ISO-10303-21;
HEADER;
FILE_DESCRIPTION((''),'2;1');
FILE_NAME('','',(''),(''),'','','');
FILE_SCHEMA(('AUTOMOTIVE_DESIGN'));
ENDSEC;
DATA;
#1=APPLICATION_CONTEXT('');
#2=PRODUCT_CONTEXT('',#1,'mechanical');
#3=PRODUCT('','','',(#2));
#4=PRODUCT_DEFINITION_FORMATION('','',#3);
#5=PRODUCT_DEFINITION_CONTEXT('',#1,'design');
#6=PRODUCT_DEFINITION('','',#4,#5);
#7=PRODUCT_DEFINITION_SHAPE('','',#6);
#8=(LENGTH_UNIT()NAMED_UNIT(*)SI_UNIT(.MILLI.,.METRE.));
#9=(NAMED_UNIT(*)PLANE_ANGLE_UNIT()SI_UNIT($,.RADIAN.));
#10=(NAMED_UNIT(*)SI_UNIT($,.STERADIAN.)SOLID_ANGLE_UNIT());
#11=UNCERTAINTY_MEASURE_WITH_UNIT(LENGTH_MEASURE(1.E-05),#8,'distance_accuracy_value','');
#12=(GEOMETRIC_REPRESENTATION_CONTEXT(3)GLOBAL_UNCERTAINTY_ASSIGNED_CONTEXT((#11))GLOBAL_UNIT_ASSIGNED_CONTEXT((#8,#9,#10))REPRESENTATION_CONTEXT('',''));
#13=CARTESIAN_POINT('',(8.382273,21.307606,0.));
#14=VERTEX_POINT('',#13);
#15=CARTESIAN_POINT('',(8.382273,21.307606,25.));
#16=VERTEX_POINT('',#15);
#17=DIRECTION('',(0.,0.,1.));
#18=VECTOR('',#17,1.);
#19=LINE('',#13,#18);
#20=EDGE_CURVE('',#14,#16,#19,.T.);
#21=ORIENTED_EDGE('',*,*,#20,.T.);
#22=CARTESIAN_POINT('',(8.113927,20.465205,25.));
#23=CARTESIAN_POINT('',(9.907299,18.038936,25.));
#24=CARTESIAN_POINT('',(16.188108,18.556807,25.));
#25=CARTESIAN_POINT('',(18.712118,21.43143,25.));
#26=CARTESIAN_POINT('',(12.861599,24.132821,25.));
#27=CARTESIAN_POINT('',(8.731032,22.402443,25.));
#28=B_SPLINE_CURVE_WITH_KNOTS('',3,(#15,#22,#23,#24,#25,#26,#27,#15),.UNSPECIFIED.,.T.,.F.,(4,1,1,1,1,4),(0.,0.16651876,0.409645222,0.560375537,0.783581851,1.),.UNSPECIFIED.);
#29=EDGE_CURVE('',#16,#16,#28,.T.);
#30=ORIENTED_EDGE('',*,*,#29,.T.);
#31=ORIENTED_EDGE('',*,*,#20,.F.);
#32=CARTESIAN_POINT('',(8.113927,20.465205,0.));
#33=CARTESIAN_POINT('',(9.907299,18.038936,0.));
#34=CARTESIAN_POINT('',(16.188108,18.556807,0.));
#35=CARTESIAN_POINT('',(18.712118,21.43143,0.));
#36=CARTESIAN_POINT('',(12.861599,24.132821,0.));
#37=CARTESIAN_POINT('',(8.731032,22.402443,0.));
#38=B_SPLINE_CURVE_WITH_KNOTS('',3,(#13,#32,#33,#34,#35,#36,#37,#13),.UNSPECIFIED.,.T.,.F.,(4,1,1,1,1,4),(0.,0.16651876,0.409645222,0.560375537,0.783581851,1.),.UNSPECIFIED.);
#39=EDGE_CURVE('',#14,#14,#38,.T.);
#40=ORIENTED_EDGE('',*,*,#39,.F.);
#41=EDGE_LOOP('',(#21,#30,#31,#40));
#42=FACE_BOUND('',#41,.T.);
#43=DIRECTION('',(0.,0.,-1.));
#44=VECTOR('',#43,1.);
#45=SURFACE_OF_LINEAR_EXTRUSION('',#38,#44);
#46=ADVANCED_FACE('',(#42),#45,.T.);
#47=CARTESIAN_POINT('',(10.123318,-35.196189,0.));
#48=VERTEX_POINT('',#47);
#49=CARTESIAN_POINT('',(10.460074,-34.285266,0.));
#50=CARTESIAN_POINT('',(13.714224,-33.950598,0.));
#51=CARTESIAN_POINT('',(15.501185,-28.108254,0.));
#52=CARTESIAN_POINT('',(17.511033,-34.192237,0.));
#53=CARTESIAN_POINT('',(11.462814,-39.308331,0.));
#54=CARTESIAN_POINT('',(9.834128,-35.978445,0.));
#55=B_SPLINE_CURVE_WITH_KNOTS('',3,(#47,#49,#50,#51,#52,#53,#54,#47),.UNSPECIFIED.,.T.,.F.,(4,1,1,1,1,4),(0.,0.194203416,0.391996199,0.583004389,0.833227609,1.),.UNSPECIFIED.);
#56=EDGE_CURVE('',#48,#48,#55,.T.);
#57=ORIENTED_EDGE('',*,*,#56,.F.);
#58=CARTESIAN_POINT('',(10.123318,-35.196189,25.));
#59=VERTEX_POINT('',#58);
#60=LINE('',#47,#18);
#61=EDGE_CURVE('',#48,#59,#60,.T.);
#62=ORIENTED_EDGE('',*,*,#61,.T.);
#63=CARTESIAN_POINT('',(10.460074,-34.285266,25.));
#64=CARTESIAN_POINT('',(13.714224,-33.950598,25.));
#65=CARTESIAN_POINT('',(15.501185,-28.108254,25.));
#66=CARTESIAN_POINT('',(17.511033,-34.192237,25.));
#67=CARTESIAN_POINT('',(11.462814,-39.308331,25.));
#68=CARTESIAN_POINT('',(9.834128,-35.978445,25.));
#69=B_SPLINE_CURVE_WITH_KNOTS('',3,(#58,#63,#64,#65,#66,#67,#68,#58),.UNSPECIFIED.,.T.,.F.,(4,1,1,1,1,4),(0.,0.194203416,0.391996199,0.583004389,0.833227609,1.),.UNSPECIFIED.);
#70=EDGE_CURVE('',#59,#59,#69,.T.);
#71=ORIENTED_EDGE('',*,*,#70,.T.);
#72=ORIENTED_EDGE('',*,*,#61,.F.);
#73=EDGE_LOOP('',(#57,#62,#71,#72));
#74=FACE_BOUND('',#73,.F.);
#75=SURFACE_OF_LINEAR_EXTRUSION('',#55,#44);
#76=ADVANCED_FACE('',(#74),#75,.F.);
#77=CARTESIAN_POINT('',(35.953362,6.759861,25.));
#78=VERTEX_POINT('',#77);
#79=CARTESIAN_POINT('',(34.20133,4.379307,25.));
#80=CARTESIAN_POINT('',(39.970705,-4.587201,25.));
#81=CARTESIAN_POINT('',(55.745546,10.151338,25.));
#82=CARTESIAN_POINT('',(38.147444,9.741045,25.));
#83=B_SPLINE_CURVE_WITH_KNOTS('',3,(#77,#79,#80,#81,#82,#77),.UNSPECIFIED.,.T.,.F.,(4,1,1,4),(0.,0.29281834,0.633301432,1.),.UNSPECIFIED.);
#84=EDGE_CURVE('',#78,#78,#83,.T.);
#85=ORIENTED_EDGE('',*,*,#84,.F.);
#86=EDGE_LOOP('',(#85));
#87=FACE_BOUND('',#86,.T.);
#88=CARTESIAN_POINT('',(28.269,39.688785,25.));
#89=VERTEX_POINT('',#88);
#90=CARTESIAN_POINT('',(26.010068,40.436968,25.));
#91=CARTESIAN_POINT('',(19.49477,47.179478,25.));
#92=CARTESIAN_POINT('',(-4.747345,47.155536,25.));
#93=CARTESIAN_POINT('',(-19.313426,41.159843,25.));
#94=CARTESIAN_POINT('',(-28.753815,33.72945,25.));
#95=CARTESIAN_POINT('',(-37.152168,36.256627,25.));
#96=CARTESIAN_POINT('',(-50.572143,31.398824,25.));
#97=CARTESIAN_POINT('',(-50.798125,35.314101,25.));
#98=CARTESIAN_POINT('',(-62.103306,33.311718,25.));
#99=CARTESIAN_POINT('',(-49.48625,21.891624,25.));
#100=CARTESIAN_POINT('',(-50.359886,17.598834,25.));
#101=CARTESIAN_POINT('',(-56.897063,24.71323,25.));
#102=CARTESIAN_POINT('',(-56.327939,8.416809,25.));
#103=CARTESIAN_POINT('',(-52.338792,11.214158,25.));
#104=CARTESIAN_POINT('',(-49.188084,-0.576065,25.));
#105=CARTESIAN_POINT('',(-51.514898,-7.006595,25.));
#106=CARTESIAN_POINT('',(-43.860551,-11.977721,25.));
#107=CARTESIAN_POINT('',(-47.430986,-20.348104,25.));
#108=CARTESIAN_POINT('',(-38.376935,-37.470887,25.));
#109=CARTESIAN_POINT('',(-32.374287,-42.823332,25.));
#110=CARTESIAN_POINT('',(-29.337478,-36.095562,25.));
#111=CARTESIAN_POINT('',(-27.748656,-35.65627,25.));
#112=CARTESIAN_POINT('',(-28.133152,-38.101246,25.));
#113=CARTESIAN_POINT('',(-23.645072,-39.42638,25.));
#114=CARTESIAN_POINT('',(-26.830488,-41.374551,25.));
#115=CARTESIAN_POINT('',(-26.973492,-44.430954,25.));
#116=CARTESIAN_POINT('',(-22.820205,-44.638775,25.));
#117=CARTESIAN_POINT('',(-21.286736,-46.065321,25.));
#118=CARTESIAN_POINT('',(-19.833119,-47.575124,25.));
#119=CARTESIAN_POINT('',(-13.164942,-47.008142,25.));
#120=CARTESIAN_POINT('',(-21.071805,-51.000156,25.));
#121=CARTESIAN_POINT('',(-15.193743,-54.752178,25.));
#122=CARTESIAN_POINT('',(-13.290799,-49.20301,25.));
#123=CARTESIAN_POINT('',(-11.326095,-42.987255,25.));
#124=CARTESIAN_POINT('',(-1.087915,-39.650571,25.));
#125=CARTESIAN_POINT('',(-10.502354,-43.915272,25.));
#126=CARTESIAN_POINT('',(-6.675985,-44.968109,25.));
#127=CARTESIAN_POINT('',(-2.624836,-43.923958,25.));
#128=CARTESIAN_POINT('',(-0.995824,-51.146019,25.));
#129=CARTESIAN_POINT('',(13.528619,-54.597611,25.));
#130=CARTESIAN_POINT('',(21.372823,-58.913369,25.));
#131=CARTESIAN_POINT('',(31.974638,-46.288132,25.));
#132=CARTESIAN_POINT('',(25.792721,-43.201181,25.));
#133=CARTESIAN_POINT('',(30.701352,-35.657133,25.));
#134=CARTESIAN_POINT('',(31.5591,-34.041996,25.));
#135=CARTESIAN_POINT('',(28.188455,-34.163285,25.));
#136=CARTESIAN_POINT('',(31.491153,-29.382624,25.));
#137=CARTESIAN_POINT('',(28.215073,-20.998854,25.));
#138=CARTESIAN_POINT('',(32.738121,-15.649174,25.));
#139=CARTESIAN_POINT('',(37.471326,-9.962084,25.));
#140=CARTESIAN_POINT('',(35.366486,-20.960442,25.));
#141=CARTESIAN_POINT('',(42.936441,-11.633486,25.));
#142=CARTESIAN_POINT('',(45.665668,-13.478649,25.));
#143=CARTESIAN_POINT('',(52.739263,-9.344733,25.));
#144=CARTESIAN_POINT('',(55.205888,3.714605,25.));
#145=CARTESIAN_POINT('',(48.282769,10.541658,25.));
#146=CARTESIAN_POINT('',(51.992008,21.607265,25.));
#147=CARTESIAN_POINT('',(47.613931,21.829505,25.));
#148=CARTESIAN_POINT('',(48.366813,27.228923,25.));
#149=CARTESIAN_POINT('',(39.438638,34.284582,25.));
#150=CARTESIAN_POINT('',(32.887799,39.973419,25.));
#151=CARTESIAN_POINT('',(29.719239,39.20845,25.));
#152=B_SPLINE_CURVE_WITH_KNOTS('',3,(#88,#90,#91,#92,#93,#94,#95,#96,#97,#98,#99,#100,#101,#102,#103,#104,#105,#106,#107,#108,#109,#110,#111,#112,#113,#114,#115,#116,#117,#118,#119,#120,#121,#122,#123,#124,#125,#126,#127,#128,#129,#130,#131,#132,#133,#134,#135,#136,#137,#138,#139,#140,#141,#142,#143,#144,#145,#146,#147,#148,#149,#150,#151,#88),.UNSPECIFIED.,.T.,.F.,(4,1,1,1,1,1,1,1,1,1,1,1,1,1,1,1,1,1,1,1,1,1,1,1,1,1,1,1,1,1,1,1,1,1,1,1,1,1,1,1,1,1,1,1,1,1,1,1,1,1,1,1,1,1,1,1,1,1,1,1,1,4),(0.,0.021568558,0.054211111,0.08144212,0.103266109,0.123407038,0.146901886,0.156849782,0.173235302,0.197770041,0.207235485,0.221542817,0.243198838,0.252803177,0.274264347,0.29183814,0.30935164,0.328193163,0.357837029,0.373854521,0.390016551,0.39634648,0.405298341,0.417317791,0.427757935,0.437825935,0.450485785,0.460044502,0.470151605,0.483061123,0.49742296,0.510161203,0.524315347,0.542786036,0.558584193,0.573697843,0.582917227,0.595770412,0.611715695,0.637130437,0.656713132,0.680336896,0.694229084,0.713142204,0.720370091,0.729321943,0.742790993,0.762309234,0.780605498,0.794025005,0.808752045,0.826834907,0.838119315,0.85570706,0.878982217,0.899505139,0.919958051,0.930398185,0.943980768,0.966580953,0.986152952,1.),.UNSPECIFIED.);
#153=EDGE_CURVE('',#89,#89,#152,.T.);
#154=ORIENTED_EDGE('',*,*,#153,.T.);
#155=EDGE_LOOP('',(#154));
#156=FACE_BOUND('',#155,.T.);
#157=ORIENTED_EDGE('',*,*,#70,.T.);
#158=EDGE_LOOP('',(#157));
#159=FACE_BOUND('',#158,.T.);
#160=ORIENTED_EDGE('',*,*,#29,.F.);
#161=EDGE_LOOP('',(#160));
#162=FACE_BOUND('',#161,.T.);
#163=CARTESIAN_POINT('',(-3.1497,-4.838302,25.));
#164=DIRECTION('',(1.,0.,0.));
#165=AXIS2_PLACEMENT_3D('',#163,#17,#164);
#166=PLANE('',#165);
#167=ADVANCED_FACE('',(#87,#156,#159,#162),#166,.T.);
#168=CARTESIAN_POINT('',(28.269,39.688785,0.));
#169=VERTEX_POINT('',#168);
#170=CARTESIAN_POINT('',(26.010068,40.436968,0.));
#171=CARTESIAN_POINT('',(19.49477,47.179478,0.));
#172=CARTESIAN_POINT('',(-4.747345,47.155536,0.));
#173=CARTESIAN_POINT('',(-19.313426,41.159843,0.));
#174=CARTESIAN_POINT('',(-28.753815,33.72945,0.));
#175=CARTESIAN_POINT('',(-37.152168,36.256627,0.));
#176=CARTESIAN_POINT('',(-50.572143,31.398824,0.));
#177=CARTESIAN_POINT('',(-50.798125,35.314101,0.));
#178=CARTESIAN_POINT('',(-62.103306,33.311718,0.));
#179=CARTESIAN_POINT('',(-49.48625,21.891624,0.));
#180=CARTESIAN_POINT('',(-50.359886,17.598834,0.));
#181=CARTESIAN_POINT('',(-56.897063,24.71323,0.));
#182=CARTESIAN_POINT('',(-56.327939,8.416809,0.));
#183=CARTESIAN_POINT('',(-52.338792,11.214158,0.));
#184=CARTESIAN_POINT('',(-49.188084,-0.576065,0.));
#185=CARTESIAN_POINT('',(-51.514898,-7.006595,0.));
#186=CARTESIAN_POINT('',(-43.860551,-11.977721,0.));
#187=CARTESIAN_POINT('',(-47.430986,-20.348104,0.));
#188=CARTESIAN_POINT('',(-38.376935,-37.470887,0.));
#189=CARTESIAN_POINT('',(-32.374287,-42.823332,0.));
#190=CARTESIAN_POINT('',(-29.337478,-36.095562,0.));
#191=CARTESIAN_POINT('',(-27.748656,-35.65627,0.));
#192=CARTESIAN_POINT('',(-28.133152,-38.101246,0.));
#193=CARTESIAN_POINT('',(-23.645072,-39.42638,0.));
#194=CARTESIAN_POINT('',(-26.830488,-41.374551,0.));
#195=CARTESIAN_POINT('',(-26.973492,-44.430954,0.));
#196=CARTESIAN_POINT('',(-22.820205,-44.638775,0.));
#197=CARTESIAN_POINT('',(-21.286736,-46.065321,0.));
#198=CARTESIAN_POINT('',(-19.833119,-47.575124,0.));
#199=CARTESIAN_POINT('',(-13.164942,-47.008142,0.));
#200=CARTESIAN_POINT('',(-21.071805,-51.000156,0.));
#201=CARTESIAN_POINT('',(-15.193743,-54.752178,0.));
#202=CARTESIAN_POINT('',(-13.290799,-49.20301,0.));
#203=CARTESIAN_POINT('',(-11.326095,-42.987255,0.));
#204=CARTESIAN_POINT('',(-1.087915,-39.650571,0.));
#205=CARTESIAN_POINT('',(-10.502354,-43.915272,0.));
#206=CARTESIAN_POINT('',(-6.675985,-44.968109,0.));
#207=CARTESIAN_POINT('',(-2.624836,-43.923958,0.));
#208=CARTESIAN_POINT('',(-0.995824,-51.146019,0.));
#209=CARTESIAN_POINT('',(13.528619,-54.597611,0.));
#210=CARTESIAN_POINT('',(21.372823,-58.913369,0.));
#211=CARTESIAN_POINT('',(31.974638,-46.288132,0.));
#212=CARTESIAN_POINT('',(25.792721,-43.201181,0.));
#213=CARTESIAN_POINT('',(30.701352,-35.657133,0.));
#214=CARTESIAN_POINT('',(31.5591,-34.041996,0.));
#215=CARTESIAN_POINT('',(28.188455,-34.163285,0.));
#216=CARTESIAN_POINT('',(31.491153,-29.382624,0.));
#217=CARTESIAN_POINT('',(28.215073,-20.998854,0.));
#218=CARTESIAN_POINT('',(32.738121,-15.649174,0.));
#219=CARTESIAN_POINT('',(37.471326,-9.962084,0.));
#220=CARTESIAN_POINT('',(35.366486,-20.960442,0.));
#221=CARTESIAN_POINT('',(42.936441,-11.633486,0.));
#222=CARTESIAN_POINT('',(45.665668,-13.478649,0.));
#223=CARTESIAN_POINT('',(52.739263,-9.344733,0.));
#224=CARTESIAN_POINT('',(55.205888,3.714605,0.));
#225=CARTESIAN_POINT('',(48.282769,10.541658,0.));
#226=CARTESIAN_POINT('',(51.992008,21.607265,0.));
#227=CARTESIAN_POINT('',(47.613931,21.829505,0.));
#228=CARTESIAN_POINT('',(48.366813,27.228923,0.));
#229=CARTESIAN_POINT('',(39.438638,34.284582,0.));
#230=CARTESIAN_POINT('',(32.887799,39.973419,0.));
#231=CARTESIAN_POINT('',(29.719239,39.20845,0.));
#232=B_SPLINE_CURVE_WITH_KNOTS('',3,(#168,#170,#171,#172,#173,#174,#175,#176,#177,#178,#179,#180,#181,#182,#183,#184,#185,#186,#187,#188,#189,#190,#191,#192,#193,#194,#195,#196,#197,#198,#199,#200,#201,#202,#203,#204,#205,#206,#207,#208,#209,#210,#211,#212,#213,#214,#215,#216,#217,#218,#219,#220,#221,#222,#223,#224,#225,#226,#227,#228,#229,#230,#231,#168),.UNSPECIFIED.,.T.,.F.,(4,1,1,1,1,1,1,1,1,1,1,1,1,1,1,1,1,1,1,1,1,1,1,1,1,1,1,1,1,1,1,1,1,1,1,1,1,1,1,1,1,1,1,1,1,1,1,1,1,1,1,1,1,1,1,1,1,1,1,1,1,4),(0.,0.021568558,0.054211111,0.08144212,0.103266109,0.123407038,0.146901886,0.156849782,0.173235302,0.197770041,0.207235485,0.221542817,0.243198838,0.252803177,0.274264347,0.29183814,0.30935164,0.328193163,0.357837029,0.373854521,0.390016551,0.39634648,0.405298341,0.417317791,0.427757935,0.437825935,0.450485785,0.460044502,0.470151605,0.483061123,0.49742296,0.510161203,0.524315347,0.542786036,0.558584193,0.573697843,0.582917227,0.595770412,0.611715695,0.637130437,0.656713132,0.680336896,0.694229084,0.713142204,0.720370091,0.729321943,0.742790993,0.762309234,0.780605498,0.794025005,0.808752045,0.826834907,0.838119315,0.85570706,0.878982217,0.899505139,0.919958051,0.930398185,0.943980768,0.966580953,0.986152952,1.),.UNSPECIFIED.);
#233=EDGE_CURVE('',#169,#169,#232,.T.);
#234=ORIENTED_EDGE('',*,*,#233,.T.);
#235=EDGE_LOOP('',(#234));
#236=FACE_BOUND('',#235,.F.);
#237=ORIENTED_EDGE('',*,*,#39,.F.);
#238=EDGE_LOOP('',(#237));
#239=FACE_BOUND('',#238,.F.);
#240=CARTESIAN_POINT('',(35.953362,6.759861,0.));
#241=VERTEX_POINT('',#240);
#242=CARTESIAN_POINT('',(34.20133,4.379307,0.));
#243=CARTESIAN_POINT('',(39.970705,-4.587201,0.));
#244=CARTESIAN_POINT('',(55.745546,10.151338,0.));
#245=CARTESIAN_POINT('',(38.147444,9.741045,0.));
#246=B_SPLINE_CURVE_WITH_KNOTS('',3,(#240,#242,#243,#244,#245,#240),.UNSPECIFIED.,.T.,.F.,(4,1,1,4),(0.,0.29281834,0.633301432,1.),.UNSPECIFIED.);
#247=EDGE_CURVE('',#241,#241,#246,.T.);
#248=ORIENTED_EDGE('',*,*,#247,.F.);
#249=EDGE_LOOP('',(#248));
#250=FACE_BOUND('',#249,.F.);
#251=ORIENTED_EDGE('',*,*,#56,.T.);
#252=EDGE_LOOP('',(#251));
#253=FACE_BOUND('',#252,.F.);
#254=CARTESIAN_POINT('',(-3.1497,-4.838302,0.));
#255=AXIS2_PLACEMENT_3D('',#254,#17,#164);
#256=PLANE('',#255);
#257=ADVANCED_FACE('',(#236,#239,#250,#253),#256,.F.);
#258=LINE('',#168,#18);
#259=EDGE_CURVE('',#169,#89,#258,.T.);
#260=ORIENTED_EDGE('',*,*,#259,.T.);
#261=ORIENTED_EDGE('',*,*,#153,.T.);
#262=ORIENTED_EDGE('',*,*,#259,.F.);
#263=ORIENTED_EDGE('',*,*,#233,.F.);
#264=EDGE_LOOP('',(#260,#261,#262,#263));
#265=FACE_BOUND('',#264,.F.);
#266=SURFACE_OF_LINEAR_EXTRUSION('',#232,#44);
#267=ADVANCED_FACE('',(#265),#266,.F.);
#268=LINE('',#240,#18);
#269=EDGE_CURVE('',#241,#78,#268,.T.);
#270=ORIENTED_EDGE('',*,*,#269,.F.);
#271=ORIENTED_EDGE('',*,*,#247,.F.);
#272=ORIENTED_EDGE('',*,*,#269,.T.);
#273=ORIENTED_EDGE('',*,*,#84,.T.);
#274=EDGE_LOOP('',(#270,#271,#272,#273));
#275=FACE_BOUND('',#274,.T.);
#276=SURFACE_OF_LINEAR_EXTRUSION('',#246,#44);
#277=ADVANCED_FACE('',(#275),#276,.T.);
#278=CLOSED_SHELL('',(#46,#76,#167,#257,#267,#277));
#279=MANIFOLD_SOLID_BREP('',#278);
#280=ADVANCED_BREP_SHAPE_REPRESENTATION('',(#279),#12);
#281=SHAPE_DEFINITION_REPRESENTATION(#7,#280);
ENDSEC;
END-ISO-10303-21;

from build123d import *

# Parameters (mm, degrees)
F1_DEPTH = 25


with BuildPart() as f1:
    # F0 (on Top) → F1 (new body)
    with BuildSketch(Plane.XY):
        with BuildLine():
            add(Edge.make_bspline(
                [(28.2690003514, 39.6887846291), (26.0100676307, 40.436968107), (19.4947700009, 47.1794777766), (-4.7473454851, 47.1555358714), (-19.3134255489, 41.1598427273), (-28.7538153813, 33.7294500914), (-37.1521676935, 36.256627457), (-50.5721425084, 31.3988236483), (-50.7981252271, 35.3141014349), (-62.1033055334, 33.311718238), (-49.4862498522, 21.8916236755), (-50.359885548, 17.5988340222), (-56.8970627079, 24.713229803), (-56.3279388188, 8.4168088321), (-52.3387920428, 11.2141575498), (-49.1880835397, -0.5760651624), (-51.514898196, -7.0065953995), (-43.8605507725, -11.9777210622), (-47.4309857215, -20.3481036233), (-38.3769348023, -37.4708870104), (-32.374286831, -42.8233322038), (-29.3374780572, -36.0955621258), (-27.7486559233, -35.6562697605), (-28.1331518517, -38.1012459053), (-23.6450715105, -39.4263797579), (-26.8304881233, -41.3745512339), (-26.9734917834, -44.4309540531), (-22.8202051032, -44.6387754805), (-21.2867357495, -46.0653213897), (-19.833119386, -47.5751242137), (-13.1649419779, -47.0081416385), (-21.0718052723, -51.0001561634), (-15.193742964, -54.7521779629), (-13.2907991931, -49.2030100714), (-11.3260949053, -42.9872553523), (-1.0879148131, -39.650570783), (-10.5023541879, -43.915271798), (-6.6759854323, -44.9681085746), (-2.6248358069, -43.9239578036), (-0.9958240267, -51.1460185435), (13.5286186343, -54.5976114251), (21.3728233374, -58.9133689443), (31.9746377409, -46.2881316608), (25.7927207578, -43.2011813044), (30.7013516459, -35.657133069), (31.5591000757, -34.0419956988), (28.1884548738, -34.1632852436), (31.4911527901, -29.3826243149), (28.2150726848, -20.9988540235), (32.7381212764, -15.649173801), (37.4713260689, -9.9620842442), (35.3664861904, -20.960442375), (42.9364414421, -11.6334858279), (45.6656681288, -13.4786494931), (52.7392625161, -9.3447328111), (55.2058883047, 3.7146050019), (48.2827686959, 10.5416579557), (51.9920078728, 21.6072653629), (47.6139309965, 21.8295049388), (48.3668131061, 27.2289231481), (39.4386379166, 34.2845815476), (32.8877994703, 39.9734187801), (29.7192387352, 39.2084496515), (28.2690003514, 39.6887846291)],
                knots=[0, 0, 0, 0, 0.0215685581, 0.0542111108, 0.0814421198, 0.1032661088, 0.1234070383, 0.1469018861, 0.1568497824, 0.1732353017, 0.1977700407, 0.207235485, 0.2215428166, 0.2431988382, 0.2528031768, 0.2742643467, 0.2918381396, 0.3093516403, 0.3281931632, 0.3578370289, 0.3738545212, 0.3900165505, 0.3963464801, 0.4052983405, 0.4173177905, 0.4277579348, 0.4378259352, 0.4504857849, 0.4600445017, 0.4701516048, 0.4830611233, 0.4974229596, 0.5101612033, 0.5243153471, 0.5427860362, 0.5585841931, 0.5736978428, 0.582917227, 0.5957704123, 0.6117156952, 0.6371304369, 0.6567131324, 0.6803368962, 0.6942290841, 0.7131422039, 0.7203700913, 0.7293219427, 0.7427909926, 0.7623092342, 0.7806054978, 0.7940250045, 0.8087520445, 0.8268349067, 0.838119315, 0.8557070598, 0.8789822172, 0.8995051386, 0.9199580515, 0.9303981851, 0.943980768, 0.966580953, 0.9861529515, 1, 1, 1, 1], degree=3))
        make_face()
        with BuildLine():
            add(Edge.make_bspline(
                [(10.1233180612, -35.1961888373), (10.4600742199, -34.2852659011), (13.7142239728, -33.9505977732), (15.5011850049, -28.108253758), (17.5110333752, -34.1922366308), (11.4628138864, -39.3083313115), (9.8341283503, -35.9784448818), (10.1233180612, -35.1961888373)],
                knots=[0, 0, 0, 0, 0.1942034162, 0.3919961989, 0.5830043891, 0.8332276089, 1, 1, 1, 1], degree=3))
        make_face(mode=Mode.SUBTRACT)
        with BuildLine():
            add(Edge.make_bspline(
                [(35.953361541, 6.7598605528), (34.2013298004, 4.3793074381), (39.9707046346, -4.5872009709), (55.7455456754, 10.1513384037), (38.1474438217, 9.7410447894), (35.953361541, 6.7598605528)],
                knots=[0, 0, 0, 0, 0.2928183396, 0.6333014321, 1, 1, 1, 1], degree=3))
        make_face(mode=Mode.SUBTRACT)
        with BuildLine():
            add(Edge.make_bspline(
                [(8.3822729066, 21.30760625), (8.1139266789, 20.4652054071), (9.9072990025, 18.0389360845), (16.1881075293, 18.5568069324), (18.7121183048, 21.4314304069), (12.8615994397, 24.1328211908), (8.7310323727, 22.4024428376), (8.3822729066, 21.30760625)],
                knots=[0, 0, 0, 0, 0.16651876, 0.4096452217, 0.5603755372, 0.7835818512, 1, 1, 1, 1], degree=3))
        make_face(mode=Mode.SUBTRACT)
    extrude(amount=F1_DEPTH)


solid = f1.part
